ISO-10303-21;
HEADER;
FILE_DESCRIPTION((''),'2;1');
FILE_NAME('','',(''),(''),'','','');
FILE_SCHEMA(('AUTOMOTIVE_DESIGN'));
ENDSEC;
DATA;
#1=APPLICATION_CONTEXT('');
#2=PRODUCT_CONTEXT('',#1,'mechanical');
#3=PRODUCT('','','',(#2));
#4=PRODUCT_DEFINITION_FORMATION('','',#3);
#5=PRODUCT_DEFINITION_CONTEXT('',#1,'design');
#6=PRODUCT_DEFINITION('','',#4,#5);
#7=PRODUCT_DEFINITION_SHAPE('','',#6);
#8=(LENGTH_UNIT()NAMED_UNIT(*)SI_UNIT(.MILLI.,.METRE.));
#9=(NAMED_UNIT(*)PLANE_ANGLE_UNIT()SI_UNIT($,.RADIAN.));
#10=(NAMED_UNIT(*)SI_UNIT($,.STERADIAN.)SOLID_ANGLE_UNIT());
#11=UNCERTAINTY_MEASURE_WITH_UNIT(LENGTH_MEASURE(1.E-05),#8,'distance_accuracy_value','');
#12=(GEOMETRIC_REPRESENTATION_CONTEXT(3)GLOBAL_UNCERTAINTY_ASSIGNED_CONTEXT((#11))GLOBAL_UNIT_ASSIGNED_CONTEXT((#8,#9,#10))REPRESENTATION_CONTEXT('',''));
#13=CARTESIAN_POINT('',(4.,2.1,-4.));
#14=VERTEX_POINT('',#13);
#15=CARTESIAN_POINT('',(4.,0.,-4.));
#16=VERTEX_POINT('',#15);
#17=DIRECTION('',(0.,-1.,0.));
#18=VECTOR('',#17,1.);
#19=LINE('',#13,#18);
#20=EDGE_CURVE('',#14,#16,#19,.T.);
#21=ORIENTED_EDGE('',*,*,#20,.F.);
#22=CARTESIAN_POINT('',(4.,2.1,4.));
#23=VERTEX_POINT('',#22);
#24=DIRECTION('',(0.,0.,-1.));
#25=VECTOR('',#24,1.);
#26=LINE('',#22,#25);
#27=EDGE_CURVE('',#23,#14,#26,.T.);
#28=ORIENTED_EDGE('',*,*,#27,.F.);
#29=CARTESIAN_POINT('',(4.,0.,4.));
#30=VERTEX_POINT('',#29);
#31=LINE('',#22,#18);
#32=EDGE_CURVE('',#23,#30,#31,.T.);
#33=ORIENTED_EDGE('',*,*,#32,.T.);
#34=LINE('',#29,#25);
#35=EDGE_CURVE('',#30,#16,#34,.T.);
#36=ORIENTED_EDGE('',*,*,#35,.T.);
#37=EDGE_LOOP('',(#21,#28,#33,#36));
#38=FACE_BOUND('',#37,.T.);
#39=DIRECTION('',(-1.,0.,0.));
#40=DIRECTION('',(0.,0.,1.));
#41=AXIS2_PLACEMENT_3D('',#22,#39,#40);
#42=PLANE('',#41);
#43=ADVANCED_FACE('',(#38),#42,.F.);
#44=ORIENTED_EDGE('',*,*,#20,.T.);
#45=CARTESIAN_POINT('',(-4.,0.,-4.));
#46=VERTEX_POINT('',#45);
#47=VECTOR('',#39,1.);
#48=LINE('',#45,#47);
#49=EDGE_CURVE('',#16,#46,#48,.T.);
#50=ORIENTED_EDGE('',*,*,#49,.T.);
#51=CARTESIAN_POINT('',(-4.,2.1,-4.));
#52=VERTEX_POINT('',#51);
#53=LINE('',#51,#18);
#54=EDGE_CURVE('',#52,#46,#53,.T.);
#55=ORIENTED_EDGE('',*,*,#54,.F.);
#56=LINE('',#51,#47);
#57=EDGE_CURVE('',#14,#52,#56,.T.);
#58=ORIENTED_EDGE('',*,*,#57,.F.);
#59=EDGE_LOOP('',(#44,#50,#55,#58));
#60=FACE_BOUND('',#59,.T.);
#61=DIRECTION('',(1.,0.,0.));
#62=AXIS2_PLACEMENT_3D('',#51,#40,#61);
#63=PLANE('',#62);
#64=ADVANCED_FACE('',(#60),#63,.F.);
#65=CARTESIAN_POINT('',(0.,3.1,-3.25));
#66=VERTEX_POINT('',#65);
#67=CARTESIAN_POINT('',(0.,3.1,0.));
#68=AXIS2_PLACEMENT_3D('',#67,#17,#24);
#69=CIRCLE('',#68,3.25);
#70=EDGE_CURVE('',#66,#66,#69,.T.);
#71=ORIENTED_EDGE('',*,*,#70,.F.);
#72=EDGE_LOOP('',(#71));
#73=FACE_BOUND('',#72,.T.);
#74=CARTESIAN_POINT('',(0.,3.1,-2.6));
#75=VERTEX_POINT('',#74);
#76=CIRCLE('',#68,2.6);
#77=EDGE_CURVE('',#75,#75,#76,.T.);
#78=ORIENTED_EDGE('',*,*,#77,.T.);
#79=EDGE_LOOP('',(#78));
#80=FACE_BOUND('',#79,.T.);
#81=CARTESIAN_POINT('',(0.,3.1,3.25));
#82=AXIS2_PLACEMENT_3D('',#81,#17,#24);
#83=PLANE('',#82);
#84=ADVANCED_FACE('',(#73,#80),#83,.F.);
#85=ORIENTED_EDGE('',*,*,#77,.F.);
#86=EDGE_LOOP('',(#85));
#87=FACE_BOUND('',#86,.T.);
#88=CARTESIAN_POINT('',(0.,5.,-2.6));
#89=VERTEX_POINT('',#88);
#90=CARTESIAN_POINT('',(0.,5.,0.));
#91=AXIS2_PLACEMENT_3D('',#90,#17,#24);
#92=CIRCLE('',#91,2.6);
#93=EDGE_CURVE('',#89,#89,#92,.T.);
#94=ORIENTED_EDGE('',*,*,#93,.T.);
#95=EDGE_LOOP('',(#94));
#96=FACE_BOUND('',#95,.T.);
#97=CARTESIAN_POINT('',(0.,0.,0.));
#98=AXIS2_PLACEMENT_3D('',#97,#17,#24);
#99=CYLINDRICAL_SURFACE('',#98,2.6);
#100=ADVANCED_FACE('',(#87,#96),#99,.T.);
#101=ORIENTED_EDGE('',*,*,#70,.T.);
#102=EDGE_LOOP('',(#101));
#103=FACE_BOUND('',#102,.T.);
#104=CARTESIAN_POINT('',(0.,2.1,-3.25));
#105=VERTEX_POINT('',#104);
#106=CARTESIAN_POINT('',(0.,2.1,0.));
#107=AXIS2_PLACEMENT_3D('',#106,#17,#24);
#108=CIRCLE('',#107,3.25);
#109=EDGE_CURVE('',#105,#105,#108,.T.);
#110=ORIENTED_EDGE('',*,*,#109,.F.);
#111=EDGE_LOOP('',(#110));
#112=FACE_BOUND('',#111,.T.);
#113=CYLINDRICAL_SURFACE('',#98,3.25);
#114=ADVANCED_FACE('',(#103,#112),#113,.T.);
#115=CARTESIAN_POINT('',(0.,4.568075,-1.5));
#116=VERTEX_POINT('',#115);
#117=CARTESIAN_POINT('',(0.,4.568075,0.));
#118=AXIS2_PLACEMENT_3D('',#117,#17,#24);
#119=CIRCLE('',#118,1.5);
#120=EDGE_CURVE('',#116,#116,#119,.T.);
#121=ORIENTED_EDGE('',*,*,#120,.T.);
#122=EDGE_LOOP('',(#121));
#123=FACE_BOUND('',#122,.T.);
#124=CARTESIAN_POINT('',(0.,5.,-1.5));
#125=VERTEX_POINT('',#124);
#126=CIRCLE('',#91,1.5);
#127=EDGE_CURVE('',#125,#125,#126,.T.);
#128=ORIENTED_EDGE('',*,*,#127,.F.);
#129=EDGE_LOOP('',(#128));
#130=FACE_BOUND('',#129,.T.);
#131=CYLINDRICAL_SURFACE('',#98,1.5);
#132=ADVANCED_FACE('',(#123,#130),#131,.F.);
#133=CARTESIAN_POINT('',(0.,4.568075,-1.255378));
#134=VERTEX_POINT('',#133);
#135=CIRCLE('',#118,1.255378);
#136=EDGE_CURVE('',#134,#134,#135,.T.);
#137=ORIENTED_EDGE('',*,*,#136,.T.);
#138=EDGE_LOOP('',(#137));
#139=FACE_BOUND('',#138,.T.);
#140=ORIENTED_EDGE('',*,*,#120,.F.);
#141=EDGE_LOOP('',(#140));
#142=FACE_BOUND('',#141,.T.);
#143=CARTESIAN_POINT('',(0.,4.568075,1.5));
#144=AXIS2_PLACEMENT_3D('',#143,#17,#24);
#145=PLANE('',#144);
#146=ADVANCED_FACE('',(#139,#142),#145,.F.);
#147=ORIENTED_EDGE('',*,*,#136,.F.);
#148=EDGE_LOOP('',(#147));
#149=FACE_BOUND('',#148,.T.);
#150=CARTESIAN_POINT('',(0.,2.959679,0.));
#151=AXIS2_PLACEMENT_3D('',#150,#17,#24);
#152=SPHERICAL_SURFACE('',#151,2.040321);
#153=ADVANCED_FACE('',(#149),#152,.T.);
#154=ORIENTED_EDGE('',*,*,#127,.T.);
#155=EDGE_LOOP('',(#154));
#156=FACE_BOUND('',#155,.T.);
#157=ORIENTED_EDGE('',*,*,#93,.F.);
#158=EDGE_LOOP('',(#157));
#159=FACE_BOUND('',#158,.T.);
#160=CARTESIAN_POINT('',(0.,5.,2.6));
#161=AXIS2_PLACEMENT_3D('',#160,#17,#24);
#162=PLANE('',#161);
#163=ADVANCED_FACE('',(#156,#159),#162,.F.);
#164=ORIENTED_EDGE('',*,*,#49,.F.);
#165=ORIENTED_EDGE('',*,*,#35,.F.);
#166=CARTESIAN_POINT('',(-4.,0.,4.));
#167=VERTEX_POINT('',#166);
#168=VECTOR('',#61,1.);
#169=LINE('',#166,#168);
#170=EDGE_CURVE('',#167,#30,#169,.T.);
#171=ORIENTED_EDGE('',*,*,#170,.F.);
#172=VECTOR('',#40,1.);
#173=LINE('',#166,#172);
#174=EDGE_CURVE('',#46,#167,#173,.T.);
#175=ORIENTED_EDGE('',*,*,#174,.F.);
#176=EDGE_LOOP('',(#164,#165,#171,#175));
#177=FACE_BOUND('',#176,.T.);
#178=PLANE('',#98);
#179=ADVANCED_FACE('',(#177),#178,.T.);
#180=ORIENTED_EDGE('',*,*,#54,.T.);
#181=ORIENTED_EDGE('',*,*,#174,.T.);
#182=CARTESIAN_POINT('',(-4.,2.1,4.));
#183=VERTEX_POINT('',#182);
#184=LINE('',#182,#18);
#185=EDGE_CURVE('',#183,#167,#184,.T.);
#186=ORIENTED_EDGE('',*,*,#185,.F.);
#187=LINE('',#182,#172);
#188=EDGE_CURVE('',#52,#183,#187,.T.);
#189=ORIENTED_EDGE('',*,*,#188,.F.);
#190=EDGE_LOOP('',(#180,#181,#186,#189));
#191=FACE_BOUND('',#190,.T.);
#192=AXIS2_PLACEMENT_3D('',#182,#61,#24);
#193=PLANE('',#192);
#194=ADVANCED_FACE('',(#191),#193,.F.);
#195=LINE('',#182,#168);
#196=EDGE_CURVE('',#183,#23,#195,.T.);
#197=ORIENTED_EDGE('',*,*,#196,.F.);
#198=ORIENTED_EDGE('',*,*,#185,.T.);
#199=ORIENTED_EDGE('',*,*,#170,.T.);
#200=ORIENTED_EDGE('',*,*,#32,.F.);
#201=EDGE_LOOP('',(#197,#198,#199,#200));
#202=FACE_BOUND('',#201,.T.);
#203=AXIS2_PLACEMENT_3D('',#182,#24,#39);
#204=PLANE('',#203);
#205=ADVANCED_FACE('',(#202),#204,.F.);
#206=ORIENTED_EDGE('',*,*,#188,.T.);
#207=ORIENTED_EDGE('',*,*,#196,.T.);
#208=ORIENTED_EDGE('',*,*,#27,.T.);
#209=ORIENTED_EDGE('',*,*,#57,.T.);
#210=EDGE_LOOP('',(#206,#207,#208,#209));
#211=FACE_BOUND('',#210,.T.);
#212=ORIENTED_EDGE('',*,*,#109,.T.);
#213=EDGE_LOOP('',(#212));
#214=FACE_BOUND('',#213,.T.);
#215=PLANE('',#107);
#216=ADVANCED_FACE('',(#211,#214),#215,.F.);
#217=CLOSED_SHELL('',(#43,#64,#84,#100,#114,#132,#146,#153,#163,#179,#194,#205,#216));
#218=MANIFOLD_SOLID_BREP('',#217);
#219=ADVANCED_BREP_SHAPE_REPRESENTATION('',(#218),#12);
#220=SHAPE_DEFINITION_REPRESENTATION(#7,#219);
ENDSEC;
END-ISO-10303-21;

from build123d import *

# Parameters (mm, degrees)
SKETCH1_W           = 8
SKETCH1_H           = 8
BOSS_EXTRUDE1_DEPTH = 2.1


with BuildPart() as part:
    # Sketch1 → Boss-Extrude1 (new body)
    with BuildSketch(Plane(origin=(0, 0, 0), x_dir=(1, 0, 0), z_dir=(0, 1, 0))):
        Rectangle(SKETCH1_W, SKETCH1_H)
    extrude(amount=BOSS_EXTRUDE1_DEPTH)

    # Sketch2 → Revolve1 (revolve)
    with BuildSketch(Plane(origin=(0, 0, 0), x_dir=(0, 0, -1), z_dir=(1, 0, 0)), mode=Mode.PRIVATE) as revolve1_sk:
        with BuildLine():
            Line((-3.25, 2.1), (-3.25, 3.1))
            Line((-3.25, 3.1), (-2.6, 3.1))
            Line((-2.6, 3.1), (-2.6, 5))
            Line((-2.6, 5), (-1.5, 5))
            Line((-1.5, 5), (-1.5, 4.568074784))
            Line((-1.5, 4.568074784), (-1.255377615, 4.568074784))
            ThreePointArc((-1.255377615, 4.568074784), (-0.663801994, 4.888999279), (0, 5))
            Line((0, 5), (0, 2.1))
            Line((0, 2.1), (-3.25, 2.1))
        make_face()
    revolve(revolve1_sk.sketch.rotate(Axis((0, 0, 0), (0, 1, 0)), 180), axis=Axis((0, 0, 0), (0, 1, 0)))


solid = part.part
